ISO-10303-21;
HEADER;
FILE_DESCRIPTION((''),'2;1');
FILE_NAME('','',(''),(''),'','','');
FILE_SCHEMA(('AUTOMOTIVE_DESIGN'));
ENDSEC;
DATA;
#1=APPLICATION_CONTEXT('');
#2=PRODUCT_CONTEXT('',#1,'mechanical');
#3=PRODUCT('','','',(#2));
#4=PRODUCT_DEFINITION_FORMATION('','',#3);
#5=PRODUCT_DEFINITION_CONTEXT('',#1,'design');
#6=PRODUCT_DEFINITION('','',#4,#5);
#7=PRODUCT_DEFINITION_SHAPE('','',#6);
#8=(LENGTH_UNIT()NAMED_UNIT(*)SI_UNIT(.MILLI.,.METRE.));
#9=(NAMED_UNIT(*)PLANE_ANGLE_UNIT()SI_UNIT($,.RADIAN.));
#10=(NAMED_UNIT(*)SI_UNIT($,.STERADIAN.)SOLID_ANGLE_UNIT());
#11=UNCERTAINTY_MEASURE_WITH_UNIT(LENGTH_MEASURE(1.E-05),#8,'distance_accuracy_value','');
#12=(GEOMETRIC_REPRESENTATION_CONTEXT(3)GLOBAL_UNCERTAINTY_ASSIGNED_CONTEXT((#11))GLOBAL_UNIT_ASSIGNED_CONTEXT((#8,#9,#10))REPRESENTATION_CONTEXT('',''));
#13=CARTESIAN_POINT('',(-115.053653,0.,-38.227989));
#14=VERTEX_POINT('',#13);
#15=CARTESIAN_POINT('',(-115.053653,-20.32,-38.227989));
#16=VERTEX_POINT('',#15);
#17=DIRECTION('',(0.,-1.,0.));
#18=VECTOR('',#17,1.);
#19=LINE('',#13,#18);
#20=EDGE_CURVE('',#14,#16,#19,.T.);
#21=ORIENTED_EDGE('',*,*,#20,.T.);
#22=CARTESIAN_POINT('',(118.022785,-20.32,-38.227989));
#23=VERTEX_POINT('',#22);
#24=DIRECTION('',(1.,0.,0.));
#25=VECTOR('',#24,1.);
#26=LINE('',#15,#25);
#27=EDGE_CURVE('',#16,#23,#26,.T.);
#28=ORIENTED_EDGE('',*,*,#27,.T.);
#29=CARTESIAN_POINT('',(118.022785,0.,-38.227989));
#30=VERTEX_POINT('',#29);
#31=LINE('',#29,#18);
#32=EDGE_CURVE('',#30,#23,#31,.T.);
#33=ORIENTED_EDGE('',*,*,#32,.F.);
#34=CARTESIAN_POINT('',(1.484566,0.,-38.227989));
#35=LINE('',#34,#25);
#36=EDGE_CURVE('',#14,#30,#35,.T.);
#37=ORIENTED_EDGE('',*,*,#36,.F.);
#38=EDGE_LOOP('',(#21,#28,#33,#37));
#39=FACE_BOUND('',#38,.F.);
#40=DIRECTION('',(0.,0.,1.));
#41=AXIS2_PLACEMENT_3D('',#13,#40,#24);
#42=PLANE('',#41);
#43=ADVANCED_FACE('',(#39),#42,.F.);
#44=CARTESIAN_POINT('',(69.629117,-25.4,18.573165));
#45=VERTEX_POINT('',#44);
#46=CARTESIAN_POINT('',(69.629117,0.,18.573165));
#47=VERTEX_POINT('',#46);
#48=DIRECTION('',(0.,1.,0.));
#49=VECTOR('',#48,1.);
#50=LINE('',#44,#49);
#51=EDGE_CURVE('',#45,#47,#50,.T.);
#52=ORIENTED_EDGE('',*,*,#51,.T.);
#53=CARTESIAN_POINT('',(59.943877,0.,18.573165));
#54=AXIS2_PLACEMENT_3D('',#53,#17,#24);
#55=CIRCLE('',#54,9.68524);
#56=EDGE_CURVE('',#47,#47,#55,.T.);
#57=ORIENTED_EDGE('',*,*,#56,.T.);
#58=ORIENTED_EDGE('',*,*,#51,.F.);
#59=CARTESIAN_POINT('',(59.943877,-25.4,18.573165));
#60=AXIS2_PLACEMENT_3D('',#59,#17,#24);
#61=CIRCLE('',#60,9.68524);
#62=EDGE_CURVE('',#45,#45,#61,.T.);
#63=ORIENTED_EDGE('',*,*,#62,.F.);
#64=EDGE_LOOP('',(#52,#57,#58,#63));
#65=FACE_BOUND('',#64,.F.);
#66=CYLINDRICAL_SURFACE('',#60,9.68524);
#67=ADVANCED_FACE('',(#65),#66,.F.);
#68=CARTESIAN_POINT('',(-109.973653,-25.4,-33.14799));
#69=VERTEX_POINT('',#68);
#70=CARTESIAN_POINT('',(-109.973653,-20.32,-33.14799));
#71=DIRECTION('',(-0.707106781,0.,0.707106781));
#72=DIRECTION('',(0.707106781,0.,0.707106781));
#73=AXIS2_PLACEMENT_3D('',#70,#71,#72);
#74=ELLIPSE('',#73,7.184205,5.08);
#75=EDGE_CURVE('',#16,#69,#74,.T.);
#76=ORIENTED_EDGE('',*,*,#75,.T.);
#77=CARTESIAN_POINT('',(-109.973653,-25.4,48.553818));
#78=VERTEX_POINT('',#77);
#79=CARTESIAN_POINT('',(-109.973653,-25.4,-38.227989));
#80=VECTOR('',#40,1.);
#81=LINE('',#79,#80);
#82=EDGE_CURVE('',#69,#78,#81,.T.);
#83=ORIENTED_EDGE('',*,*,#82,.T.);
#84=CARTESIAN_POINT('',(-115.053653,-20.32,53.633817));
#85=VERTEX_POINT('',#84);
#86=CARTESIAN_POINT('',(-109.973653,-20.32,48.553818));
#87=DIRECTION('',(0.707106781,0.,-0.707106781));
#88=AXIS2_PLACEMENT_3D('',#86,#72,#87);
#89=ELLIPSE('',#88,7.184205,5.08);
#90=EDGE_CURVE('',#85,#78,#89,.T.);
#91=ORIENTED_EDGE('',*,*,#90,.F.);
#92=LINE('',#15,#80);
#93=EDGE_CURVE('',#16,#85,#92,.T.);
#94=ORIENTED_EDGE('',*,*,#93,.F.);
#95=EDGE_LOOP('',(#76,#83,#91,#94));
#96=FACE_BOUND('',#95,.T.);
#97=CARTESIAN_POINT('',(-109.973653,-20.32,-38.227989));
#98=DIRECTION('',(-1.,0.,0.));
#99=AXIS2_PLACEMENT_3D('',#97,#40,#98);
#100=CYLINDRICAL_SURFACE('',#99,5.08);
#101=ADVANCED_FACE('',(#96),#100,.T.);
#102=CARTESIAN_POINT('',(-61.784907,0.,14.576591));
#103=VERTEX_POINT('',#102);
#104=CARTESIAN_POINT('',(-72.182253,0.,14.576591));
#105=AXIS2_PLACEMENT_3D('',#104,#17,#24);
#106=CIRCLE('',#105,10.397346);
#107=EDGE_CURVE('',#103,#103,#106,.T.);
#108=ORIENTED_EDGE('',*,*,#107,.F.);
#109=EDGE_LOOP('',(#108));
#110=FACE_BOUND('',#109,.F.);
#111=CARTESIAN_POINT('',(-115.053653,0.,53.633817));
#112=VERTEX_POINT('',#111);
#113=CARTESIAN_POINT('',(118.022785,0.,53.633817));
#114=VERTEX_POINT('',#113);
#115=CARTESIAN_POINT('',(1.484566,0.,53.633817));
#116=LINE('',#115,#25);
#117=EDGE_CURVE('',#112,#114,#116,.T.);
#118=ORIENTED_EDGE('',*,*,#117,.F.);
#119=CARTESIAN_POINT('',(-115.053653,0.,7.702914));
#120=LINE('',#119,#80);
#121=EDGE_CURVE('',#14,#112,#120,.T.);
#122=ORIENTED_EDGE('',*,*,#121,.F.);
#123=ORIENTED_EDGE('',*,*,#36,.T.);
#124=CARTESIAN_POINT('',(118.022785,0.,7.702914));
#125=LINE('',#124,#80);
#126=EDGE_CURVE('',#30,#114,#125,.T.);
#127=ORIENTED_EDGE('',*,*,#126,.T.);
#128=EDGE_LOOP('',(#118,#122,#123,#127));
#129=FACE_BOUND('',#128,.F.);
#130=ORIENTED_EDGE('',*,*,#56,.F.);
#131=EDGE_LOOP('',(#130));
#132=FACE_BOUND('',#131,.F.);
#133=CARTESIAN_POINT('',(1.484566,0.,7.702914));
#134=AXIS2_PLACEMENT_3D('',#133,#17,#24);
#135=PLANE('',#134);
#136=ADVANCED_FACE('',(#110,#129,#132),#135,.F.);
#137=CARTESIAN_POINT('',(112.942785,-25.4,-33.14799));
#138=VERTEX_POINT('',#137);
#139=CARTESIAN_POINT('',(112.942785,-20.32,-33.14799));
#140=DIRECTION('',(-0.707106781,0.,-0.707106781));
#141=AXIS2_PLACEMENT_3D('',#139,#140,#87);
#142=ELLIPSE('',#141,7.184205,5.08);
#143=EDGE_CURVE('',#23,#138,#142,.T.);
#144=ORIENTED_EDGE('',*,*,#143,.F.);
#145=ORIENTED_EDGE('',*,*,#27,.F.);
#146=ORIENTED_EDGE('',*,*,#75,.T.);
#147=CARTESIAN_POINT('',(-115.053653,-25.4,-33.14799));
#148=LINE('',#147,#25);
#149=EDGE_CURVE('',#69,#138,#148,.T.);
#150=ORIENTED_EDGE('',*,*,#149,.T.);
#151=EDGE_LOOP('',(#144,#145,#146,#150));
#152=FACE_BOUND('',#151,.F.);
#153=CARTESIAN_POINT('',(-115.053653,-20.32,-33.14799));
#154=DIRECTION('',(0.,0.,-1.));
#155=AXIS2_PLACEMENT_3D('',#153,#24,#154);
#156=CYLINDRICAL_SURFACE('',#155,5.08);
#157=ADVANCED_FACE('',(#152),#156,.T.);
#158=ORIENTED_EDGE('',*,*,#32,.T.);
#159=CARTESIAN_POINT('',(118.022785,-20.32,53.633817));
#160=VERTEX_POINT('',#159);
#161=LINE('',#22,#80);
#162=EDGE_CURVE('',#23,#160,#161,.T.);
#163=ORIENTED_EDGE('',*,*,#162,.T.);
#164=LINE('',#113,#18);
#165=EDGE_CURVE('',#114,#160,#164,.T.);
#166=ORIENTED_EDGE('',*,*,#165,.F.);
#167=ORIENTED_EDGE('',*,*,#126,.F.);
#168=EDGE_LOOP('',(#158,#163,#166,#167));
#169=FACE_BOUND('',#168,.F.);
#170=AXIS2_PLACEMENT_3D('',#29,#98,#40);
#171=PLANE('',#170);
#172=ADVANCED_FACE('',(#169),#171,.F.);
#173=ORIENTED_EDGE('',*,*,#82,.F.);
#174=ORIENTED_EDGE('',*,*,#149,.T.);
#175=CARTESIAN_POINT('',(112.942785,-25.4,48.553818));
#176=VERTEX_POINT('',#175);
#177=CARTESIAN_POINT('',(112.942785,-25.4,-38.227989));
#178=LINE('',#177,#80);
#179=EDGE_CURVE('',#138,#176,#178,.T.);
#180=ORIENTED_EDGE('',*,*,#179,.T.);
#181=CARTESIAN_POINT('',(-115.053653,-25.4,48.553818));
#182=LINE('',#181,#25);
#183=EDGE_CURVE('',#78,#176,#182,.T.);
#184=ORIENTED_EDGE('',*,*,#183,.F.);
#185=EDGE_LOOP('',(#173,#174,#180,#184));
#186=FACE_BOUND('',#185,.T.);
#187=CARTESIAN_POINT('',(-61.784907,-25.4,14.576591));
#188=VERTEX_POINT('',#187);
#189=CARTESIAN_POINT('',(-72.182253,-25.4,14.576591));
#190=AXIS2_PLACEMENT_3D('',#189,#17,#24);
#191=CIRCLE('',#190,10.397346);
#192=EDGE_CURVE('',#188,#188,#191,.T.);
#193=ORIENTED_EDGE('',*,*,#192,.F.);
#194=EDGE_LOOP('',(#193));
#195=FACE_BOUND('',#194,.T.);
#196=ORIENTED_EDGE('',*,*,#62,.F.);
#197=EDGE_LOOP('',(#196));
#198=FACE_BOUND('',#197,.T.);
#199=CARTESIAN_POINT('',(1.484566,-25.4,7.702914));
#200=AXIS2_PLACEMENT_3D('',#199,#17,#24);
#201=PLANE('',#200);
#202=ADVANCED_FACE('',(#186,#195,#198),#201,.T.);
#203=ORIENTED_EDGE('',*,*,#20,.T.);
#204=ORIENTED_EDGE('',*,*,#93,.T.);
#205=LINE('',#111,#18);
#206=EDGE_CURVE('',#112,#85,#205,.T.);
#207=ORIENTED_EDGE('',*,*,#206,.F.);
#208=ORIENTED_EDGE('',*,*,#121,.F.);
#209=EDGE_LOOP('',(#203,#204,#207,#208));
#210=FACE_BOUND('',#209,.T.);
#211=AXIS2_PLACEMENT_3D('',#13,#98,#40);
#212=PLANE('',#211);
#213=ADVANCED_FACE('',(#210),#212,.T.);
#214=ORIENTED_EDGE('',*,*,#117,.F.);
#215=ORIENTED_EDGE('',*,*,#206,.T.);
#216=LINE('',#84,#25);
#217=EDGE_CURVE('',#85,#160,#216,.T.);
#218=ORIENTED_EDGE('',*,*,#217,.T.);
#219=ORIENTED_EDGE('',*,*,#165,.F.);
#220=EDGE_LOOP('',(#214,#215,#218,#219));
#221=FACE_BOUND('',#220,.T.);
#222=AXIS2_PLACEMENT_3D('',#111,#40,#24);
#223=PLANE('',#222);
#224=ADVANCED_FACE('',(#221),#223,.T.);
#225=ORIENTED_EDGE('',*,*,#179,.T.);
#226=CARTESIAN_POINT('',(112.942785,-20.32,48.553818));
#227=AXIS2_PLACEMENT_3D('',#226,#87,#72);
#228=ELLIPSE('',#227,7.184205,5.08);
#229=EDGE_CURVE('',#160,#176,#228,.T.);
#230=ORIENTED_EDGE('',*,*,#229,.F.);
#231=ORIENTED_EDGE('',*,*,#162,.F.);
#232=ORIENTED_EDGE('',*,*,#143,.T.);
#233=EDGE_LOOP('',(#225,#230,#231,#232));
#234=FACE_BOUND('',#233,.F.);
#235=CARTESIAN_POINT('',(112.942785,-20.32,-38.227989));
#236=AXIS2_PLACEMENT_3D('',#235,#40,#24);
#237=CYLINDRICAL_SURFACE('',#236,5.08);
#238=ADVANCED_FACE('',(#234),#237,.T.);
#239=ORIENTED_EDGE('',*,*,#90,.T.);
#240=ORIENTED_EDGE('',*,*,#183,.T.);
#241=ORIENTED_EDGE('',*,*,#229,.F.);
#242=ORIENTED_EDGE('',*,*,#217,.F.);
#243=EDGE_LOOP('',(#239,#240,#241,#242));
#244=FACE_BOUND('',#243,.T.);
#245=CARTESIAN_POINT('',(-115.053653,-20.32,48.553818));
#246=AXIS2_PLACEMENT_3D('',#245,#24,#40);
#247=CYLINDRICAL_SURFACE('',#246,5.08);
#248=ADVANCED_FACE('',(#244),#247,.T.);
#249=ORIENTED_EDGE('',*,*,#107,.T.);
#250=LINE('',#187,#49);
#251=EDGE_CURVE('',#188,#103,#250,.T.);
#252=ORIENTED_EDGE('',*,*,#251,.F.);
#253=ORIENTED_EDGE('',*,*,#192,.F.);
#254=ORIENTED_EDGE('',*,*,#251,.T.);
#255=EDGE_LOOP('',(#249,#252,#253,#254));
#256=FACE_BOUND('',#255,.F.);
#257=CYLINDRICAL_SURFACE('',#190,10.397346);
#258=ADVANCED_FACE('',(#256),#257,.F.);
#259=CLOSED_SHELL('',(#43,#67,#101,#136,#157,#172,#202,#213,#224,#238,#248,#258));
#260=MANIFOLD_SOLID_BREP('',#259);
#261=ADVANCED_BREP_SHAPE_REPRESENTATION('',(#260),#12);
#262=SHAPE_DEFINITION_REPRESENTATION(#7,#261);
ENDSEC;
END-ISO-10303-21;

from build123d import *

# Parameters (mm, degrees)
F0_W     = 233.076439
F0_H     = 91.861807
F1_DEPTH = 25.4
F2_R     = 5.08
F3_R     = 10.397346
F3_R_2   = 9.68524
F4_DEPTH = 25.4


with BuildPart() as f1:
    # F0 (on Front) → F1 (new body)
    with BuildSketch(Plane.XZ):
        with Locations((1.484566, 7.702914)):
            Rectangle(F0_W, F0_H)
    extrude(amount=F1_DEPTH)

    # F2
    f2_edges = [f1.edges().sort_by_distance(p)[0] for p in [
        (1.484565, -25.4, 53.633817),
        (-115.053654, -25.4, 7.702913),
        (1.484565, -25.4, -38.22799),
        (118.022785, -25.4, 7.702913),
    ]]
    fillet(f2_edges, radius=F2_R)

    # F3 (on face) → F4 (cut)
    with BuildSketch(Plane.XZ.offset(25.4)):
        with Locations((-72.182253, 14.576591)):
            Circle(F3_R)
        with Locations((59.943877, 18.573165)):
            Circle(F3_R_2)
    extrude(amount=-F4_DEPTH, mode=Mode.SUBTRACT)


solid = f1.part
